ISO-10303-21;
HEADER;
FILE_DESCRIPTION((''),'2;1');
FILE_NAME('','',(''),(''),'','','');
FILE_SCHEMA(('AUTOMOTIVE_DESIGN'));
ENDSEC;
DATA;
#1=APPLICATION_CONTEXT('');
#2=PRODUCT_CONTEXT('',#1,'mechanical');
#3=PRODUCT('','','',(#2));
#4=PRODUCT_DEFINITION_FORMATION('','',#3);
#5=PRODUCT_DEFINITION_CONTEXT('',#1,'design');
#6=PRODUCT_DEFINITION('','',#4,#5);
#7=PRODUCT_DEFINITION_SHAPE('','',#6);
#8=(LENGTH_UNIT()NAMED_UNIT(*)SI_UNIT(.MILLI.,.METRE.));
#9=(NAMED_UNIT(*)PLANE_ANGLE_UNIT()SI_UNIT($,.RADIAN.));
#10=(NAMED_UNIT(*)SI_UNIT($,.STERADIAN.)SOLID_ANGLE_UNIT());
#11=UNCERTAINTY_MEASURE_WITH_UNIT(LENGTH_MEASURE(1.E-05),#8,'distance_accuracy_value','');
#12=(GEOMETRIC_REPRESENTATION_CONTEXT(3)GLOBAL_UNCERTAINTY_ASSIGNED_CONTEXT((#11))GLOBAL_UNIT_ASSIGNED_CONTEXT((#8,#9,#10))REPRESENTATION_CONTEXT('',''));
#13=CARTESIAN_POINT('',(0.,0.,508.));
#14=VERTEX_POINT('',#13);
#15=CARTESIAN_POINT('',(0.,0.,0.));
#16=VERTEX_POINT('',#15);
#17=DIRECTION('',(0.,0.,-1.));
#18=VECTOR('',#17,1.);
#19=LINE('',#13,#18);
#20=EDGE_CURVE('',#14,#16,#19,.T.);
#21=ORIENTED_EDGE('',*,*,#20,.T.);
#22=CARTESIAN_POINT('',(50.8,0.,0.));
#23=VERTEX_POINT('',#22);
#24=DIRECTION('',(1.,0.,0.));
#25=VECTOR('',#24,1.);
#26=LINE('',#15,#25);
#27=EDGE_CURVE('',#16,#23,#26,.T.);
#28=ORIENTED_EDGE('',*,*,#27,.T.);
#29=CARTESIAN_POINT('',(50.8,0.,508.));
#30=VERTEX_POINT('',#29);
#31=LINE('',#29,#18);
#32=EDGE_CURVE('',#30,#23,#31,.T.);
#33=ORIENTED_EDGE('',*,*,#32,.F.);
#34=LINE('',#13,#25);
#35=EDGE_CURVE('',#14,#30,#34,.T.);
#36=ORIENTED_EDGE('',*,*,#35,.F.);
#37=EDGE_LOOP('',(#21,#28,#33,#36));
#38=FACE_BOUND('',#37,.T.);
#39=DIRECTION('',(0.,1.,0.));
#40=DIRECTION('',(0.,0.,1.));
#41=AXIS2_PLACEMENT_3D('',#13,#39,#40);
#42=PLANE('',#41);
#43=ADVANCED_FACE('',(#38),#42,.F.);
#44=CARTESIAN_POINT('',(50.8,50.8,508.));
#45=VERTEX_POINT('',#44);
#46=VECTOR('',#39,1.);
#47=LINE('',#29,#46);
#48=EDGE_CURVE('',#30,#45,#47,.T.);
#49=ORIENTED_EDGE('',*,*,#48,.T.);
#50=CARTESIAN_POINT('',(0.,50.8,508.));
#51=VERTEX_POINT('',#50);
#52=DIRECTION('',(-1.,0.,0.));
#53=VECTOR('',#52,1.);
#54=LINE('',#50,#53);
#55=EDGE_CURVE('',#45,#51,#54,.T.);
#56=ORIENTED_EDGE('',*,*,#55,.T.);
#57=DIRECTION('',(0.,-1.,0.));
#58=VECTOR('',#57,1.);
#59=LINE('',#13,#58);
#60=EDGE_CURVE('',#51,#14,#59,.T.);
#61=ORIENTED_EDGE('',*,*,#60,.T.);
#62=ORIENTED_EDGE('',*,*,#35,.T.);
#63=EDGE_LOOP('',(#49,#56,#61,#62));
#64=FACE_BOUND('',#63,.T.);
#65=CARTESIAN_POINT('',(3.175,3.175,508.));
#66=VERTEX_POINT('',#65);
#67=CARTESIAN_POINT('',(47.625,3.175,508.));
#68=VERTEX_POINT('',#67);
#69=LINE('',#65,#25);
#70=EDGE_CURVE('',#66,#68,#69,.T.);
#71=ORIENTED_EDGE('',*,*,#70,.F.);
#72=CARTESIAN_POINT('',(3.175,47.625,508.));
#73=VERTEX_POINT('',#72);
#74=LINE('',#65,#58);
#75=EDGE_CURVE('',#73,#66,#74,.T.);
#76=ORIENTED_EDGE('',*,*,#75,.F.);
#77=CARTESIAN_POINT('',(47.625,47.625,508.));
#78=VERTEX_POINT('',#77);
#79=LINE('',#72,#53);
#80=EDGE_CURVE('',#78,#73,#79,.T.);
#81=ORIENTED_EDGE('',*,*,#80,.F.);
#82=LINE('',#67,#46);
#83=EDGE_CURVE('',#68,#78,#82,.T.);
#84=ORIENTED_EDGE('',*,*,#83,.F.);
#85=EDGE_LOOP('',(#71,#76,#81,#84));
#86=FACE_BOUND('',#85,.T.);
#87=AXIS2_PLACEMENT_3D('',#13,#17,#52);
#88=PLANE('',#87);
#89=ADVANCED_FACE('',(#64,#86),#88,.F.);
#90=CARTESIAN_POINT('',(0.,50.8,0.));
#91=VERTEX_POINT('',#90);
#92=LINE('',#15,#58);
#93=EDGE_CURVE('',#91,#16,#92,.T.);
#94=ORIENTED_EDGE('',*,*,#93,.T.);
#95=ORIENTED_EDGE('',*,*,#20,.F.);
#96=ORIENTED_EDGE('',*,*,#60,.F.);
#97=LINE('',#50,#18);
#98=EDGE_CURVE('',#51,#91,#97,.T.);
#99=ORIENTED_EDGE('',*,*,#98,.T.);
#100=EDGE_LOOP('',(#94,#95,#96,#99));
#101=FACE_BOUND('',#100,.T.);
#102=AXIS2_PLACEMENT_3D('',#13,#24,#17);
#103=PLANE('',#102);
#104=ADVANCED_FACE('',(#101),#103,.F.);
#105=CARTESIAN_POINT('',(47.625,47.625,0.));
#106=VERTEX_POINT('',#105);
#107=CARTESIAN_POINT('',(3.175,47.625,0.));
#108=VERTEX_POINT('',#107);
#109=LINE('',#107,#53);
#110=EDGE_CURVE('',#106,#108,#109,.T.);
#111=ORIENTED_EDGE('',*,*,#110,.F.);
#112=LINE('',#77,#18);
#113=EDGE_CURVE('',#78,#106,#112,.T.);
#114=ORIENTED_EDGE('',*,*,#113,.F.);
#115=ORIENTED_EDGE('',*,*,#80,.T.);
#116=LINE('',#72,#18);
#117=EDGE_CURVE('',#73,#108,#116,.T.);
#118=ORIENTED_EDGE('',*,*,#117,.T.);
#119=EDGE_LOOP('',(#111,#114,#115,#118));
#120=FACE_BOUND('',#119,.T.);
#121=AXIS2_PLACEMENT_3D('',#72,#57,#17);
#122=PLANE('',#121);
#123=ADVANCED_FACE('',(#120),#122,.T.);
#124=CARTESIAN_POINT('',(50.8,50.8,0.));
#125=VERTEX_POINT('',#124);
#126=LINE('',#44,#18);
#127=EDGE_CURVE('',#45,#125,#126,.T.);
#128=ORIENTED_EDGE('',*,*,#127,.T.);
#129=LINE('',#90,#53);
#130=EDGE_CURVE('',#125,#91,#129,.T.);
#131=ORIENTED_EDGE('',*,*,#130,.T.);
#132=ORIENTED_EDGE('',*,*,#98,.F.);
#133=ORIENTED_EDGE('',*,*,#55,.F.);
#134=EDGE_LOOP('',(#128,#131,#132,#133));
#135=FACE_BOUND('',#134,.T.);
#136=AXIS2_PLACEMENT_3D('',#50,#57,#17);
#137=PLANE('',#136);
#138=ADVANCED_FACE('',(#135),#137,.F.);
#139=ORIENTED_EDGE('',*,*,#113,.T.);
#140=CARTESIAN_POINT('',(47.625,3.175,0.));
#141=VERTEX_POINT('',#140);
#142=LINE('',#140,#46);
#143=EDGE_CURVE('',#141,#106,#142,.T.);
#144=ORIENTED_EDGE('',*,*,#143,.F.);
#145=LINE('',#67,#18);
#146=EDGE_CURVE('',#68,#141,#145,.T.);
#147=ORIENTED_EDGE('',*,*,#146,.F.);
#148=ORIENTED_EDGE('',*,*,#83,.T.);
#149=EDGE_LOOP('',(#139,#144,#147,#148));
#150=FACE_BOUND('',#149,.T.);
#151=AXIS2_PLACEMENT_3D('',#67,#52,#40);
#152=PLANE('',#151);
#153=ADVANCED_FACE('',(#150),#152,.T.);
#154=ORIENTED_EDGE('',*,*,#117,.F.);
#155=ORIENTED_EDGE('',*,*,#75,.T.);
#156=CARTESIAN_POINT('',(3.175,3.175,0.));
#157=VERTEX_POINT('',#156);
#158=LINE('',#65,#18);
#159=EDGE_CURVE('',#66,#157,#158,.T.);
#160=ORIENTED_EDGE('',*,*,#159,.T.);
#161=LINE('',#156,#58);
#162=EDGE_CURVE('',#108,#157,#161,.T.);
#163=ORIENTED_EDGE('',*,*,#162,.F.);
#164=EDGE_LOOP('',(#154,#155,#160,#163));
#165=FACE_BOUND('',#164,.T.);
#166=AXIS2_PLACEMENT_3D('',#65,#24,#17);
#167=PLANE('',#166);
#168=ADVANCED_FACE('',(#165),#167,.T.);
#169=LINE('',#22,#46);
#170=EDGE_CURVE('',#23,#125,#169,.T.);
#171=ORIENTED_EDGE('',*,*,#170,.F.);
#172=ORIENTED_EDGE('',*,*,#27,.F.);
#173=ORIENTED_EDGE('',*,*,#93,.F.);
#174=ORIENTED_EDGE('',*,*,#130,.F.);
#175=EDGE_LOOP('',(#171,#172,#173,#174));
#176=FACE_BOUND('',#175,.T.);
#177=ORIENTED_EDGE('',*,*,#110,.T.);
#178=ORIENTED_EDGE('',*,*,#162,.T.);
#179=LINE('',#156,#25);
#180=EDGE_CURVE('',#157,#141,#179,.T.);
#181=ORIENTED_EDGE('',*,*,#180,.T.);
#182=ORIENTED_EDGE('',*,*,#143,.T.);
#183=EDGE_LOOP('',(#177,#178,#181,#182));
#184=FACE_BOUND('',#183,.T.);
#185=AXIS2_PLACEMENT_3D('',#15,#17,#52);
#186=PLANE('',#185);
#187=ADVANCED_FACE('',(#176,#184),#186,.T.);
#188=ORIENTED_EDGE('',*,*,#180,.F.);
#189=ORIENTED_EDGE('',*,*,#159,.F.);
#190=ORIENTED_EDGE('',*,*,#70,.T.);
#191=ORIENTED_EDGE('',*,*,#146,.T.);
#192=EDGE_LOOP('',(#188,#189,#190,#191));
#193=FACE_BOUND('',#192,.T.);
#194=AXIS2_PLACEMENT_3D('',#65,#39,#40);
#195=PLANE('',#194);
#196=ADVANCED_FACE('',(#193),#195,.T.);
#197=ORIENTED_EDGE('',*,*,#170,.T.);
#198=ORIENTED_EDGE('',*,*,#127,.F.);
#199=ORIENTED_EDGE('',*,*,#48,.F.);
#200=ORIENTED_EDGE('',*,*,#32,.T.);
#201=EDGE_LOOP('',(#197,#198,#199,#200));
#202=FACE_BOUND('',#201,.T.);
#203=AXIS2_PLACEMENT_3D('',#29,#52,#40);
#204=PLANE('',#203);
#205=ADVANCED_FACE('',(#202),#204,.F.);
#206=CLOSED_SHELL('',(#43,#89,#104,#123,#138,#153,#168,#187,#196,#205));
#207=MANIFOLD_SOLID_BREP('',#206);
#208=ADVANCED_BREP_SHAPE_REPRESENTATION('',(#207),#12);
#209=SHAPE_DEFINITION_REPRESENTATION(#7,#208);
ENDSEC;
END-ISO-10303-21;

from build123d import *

# Parameters (mm, degrees)
SKETCH1_W           = 50.8
SKETCH1_H           = 50.8
SKETCH1_W_2         = 44.45
SKETCH1_H_2         = 44.45
BOSS_EXTRUDE1_DEPTH = 508


with BuildPart() as part:
    # Sketch1 → Boss-Extrude1 (new body)
    with BuildSketch(Plane.XY):
        with Locations((25.4, 25.4)):
            Rectangle(SKETCH1_W, SKETCH1_H)
        with Locations((25.4, 25.4)):
            Rectangle(SKETCH1_W_2, SKETCH1_H_2, mode=Mode.SUBTRACT)
    extrude(amount=BOSS_EXTRUDE1_DEPTH)


solid = part.part
